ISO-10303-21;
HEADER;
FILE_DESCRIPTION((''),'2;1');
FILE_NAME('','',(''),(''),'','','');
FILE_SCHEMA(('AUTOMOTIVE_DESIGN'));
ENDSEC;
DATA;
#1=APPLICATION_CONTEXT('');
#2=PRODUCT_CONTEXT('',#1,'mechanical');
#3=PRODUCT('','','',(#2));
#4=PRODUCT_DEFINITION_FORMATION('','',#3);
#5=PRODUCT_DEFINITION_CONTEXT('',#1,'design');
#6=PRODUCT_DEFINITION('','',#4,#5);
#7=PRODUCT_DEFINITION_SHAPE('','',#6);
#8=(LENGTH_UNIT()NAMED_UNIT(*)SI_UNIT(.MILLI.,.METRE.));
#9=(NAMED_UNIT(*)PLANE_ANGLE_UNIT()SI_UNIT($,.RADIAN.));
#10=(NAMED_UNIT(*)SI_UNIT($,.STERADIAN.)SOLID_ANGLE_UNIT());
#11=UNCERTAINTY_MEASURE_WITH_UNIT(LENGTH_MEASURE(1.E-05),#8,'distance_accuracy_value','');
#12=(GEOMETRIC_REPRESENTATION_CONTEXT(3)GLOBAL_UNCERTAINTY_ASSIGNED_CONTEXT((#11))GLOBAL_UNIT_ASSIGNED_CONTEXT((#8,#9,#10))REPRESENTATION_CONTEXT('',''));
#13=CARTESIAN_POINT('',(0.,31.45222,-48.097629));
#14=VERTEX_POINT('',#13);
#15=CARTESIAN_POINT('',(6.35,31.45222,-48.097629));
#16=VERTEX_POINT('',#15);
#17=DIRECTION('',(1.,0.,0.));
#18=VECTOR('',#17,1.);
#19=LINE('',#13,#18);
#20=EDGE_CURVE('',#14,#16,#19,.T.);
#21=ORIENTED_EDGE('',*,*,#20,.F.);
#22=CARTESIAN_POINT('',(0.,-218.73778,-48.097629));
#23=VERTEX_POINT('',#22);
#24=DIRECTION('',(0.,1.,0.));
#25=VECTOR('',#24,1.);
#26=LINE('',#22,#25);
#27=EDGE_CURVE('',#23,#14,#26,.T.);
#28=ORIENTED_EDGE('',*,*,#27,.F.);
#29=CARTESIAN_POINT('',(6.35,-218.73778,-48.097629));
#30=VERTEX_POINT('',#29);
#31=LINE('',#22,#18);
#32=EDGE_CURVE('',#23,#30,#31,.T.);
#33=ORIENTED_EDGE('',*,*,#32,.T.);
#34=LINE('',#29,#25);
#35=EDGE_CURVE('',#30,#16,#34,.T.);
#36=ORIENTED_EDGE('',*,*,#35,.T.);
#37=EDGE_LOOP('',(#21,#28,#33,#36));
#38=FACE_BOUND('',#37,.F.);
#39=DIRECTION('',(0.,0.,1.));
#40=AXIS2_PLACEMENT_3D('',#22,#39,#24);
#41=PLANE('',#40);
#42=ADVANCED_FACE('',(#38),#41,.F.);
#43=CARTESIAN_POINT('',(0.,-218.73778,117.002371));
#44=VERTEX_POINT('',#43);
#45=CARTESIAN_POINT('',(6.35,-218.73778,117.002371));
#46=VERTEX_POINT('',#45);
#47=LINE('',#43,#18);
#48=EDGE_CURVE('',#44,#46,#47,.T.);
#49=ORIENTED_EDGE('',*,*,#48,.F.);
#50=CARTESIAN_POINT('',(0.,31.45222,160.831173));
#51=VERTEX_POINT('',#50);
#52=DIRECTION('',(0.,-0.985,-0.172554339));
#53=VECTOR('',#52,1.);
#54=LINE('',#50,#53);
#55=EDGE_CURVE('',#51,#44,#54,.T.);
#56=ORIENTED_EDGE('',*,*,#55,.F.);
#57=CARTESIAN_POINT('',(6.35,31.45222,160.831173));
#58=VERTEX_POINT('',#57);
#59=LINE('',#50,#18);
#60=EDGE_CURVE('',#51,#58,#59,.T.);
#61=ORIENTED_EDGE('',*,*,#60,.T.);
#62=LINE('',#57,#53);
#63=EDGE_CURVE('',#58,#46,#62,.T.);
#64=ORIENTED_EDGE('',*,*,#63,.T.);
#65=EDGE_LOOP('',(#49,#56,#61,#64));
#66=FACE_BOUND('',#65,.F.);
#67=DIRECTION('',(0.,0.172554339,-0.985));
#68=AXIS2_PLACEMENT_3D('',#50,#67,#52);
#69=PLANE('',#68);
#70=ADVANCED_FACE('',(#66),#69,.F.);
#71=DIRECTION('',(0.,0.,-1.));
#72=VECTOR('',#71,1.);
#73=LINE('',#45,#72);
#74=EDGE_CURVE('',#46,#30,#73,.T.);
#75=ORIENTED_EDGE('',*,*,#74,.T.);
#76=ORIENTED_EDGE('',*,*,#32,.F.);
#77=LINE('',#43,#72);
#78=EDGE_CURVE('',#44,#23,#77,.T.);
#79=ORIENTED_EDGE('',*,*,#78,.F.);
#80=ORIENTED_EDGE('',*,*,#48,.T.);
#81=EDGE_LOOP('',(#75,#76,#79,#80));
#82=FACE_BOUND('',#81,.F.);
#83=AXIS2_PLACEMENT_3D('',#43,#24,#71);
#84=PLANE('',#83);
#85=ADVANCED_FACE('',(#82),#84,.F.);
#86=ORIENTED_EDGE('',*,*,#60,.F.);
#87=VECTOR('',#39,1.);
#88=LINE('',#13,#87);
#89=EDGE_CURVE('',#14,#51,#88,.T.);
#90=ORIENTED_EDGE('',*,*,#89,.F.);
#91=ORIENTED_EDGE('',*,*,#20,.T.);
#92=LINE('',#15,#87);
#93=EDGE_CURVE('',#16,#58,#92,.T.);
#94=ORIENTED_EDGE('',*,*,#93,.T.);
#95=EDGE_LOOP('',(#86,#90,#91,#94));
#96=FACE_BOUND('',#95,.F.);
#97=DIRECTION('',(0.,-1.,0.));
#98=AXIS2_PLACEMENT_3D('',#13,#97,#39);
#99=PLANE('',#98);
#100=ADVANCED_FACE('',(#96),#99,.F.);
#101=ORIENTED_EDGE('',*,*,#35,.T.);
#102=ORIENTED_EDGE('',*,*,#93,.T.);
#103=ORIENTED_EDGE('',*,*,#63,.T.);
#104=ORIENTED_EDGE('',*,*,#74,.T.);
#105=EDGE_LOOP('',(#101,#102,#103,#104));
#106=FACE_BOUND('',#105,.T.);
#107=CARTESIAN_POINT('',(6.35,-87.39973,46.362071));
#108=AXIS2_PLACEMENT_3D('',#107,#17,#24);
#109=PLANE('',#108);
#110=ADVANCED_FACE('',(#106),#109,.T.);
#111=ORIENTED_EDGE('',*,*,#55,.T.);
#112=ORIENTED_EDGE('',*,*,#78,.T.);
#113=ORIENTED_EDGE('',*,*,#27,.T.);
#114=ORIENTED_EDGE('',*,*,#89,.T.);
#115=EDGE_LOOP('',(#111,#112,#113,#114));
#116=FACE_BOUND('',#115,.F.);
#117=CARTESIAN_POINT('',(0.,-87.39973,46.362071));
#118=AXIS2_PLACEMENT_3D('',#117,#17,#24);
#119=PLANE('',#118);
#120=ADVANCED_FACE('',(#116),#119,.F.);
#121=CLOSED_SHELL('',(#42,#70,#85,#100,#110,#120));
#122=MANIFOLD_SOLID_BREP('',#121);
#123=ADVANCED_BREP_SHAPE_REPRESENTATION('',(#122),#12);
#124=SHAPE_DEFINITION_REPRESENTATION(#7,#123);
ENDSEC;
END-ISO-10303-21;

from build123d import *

# Parameters (mm, degrees)
F1_DEPTH = 12.7
F2_DEPTH = 6.35


with BuildPart() as f1:
    # F0 (on Right) → F1 (new body)
    with BuildSketch(Plane.YZ):
        Polygon((-218.73778, 117.002371), (-218.73778, -48.097629), (31.45222, -48.097629), (31.45222, 117.002371), (31.45222, 160.831173), align=None)
    extrude(amount=F1_DEPTH)

    # F1_face (on face) → F2 (cut)
    with BuildSketch(Plane(origin=(12.7, -88.756557, 45.837561), x_dir=(0, 1, 0), z_dir=(1, 0, 0))):
        Polygon((-129.981223, 71.16481), (-129.981223, -93.93519), (120.208777, -93.93519), (120.208777, 114.993612), align=None)
    extrude(amount=-F2_DEPTH, mode=Mode.SUBTRACT)


solid = f1.part
